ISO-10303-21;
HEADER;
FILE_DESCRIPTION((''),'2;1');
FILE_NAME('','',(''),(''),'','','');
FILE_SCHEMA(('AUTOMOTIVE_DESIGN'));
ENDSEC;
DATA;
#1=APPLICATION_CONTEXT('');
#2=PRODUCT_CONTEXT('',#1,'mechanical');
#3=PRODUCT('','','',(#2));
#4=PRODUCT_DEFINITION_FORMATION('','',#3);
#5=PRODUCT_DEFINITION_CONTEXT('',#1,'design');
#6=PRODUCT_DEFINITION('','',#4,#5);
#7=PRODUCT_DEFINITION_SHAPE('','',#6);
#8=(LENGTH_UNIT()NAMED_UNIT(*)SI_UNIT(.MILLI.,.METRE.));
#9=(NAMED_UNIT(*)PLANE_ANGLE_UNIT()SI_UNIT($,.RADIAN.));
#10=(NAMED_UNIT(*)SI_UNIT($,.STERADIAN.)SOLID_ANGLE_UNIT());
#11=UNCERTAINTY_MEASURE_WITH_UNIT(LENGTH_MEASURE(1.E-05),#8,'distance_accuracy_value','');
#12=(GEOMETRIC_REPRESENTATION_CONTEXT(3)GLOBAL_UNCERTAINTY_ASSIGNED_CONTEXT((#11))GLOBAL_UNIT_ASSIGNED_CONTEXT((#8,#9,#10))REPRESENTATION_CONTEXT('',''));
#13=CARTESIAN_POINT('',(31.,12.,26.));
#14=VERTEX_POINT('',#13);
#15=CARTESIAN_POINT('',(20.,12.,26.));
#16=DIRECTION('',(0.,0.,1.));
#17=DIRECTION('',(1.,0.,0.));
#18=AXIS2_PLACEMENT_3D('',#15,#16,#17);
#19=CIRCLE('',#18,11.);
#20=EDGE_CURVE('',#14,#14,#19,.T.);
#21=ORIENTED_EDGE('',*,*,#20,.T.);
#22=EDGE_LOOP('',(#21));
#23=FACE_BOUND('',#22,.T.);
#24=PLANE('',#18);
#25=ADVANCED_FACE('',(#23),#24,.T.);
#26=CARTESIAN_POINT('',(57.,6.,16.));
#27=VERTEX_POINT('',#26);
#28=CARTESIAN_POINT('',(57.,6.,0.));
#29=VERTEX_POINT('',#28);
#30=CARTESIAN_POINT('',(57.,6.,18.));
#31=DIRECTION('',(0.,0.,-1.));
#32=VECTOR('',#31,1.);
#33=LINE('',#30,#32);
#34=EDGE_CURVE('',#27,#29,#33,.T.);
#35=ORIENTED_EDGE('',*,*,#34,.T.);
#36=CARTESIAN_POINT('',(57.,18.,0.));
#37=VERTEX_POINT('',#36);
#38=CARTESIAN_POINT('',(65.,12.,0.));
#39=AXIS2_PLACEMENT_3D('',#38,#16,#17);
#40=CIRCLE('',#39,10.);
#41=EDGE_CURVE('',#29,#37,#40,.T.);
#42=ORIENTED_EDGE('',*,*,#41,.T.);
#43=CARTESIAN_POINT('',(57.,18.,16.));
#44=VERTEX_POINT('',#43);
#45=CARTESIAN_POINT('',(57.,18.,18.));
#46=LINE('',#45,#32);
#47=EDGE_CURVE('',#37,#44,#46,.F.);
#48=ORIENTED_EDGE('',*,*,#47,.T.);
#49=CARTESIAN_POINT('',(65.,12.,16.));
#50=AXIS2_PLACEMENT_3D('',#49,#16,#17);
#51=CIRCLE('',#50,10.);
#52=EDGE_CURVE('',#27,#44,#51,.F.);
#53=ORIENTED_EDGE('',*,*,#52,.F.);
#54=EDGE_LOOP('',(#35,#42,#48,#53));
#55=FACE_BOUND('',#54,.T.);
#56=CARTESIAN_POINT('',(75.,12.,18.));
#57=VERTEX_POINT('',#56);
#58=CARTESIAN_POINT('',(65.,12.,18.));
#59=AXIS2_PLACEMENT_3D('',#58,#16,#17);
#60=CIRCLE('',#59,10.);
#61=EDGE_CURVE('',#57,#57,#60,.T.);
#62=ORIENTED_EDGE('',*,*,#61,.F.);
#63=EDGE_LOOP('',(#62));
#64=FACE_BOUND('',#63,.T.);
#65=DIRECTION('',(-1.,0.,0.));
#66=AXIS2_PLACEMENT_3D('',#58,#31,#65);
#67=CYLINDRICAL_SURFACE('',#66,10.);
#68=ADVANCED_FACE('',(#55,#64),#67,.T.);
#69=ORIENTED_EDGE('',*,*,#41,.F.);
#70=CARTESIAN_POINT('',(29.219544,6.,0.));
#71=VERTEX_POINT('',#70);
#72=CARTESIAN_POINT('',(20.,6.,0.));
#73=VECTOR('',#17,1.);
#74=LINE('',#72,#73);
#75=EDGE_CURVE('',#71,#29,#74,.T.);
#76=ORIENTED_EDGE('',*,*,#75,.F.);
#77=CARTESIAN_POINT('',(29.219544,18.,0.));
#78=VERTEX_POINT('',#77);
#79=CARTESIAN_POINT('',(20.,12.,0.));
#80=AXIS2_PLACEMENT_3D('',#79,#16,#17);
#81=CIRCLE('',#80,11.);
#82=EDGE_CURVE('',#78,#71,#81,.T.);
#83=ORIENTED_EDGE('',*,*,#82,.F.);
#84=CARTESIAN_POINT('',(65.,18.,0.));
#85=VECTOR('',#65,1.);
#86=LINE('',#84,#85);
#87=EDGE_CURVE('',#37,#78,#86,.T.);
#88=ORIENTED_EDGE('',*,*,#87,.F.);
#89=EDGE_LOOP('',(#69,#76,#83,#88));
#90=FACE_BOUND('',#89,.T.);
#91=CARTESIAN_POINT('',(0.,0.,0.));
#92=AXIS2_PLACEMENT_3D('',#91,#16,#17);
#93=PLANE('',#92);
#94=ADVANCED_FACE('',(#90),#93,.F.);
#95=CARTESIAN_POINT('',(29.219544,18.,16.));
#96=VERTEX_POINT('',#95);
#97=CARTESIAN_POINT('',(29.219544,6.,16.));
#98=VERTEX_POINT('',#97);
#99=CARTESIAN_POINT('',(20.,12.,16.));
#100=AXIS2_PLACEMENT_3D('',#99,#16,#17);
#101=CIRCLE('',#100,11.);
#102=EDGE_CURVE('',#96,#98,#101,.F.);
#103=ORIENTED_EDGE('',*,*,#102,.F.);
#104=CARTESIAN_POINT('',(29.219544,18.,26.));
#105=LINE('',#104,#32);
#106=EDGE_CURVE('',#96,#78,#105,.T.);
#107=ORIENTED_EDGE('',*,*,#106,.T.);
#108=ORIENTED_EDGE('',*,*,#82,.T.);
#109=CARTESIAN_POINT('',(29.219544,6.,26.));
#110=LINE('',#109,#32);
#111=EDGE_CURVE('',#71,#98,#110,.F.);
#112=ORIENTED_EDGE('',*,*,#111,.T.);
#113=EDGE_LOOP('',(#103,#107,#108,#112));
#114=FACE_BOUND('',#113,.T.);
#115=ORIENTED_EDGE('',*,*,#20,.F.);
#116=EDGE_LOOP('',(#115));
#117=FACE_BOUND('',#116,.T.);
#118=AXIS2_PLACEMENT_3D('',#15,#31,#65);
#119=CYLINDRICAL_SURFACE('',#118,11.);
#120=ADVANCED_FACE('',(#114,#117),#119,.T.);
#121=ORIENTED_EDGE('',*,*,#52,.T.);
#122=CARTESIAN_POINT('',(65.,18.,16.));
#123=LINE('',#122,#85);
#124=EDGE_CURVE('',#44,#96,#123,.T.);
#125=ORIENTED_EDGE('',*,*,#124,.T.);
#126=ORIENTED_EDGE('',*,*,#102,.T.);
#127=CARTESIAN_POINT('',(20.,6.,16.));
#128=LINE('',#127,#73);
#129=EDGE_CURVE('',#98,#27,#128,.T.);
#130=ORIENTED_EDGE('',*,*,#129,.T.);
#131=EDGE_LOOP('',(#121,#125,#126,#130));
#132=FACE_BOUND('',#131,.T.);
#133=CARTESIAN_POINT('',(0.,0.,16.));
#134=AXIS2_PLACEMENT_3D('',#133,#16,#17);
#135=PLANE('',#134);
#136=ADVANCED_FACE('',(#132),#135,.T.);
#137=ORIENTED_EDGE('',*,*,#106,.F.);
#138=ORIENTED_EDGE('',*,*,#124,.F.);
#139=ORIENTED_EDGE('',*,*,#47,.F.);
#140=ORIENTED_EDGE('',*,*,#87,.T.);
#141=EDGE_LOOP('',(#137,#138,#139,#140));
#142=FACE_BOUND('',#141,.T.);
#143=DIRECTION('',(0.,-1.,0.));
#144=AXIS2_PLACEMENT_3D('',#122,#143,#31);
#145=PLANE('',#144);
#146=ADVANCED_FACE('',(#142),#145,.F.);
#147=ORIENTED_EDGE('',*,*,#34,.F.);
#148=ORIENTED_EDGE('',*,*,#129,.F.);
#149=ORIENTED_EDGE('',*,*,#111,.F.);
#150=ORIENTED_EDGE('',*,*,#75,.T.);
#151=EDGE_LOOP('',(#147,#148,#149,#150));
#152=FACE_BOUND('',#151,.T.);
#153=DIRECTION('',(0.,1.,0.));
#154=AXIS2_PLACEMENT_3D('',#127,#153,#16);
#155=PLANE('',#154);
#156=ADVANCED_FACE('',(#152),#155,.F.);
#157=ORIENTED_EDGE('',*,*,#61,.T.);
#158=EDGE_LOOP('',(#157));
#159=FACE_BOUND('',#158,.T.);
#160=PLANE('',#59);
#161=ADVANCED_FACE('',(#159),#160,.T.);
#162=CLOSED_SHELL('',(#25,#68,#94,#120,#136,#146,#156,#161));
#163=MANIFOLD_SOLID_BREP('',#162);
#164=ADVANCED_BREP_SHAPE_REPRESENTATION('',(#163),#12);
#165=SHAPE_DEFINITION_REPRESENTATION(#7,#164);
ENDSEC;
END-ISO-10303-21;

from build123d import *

# Parameters (mm, degrees)
SKETCH_3_W    = 45
SKETCH_3_H    = 12
BAR_DEPTH     = 16
SKETCH_4_R    = 11
ROOTHUB_DEPTH = 26
SKETCH_5_R    = 10
ENDHUB_DEPTH  = 18


with BuildPart() as part:
    # 草图3 → Bar (new body)
    with BuildSketch(Plane.XY):
        with Locations((42.5, 12)):
            Rectangle(SKETCH_3_W, SKETCH_3_H)
    extrude(amount=BAR_DEPTH)

    # 草图4 → RootHub (add)
    with BuildSketch(Plane.XY):
        with Locations(Location((20, 12, 0), (0, 0, 326.944268849))):
            Circle(SKETCH_4_R)
    extrude(amount=ROOTHUB_DEPTH)

    # 草图5 → EndHub (add)
    with BuildSketch(Plane.XY):
        with Locations(Location((65, 12, 0), (0, 0, 216.869897646))):
            Circle(SKETCH_5_R)
    extrude(amount=ENDHUB_DEPTH)


solid = part.part
